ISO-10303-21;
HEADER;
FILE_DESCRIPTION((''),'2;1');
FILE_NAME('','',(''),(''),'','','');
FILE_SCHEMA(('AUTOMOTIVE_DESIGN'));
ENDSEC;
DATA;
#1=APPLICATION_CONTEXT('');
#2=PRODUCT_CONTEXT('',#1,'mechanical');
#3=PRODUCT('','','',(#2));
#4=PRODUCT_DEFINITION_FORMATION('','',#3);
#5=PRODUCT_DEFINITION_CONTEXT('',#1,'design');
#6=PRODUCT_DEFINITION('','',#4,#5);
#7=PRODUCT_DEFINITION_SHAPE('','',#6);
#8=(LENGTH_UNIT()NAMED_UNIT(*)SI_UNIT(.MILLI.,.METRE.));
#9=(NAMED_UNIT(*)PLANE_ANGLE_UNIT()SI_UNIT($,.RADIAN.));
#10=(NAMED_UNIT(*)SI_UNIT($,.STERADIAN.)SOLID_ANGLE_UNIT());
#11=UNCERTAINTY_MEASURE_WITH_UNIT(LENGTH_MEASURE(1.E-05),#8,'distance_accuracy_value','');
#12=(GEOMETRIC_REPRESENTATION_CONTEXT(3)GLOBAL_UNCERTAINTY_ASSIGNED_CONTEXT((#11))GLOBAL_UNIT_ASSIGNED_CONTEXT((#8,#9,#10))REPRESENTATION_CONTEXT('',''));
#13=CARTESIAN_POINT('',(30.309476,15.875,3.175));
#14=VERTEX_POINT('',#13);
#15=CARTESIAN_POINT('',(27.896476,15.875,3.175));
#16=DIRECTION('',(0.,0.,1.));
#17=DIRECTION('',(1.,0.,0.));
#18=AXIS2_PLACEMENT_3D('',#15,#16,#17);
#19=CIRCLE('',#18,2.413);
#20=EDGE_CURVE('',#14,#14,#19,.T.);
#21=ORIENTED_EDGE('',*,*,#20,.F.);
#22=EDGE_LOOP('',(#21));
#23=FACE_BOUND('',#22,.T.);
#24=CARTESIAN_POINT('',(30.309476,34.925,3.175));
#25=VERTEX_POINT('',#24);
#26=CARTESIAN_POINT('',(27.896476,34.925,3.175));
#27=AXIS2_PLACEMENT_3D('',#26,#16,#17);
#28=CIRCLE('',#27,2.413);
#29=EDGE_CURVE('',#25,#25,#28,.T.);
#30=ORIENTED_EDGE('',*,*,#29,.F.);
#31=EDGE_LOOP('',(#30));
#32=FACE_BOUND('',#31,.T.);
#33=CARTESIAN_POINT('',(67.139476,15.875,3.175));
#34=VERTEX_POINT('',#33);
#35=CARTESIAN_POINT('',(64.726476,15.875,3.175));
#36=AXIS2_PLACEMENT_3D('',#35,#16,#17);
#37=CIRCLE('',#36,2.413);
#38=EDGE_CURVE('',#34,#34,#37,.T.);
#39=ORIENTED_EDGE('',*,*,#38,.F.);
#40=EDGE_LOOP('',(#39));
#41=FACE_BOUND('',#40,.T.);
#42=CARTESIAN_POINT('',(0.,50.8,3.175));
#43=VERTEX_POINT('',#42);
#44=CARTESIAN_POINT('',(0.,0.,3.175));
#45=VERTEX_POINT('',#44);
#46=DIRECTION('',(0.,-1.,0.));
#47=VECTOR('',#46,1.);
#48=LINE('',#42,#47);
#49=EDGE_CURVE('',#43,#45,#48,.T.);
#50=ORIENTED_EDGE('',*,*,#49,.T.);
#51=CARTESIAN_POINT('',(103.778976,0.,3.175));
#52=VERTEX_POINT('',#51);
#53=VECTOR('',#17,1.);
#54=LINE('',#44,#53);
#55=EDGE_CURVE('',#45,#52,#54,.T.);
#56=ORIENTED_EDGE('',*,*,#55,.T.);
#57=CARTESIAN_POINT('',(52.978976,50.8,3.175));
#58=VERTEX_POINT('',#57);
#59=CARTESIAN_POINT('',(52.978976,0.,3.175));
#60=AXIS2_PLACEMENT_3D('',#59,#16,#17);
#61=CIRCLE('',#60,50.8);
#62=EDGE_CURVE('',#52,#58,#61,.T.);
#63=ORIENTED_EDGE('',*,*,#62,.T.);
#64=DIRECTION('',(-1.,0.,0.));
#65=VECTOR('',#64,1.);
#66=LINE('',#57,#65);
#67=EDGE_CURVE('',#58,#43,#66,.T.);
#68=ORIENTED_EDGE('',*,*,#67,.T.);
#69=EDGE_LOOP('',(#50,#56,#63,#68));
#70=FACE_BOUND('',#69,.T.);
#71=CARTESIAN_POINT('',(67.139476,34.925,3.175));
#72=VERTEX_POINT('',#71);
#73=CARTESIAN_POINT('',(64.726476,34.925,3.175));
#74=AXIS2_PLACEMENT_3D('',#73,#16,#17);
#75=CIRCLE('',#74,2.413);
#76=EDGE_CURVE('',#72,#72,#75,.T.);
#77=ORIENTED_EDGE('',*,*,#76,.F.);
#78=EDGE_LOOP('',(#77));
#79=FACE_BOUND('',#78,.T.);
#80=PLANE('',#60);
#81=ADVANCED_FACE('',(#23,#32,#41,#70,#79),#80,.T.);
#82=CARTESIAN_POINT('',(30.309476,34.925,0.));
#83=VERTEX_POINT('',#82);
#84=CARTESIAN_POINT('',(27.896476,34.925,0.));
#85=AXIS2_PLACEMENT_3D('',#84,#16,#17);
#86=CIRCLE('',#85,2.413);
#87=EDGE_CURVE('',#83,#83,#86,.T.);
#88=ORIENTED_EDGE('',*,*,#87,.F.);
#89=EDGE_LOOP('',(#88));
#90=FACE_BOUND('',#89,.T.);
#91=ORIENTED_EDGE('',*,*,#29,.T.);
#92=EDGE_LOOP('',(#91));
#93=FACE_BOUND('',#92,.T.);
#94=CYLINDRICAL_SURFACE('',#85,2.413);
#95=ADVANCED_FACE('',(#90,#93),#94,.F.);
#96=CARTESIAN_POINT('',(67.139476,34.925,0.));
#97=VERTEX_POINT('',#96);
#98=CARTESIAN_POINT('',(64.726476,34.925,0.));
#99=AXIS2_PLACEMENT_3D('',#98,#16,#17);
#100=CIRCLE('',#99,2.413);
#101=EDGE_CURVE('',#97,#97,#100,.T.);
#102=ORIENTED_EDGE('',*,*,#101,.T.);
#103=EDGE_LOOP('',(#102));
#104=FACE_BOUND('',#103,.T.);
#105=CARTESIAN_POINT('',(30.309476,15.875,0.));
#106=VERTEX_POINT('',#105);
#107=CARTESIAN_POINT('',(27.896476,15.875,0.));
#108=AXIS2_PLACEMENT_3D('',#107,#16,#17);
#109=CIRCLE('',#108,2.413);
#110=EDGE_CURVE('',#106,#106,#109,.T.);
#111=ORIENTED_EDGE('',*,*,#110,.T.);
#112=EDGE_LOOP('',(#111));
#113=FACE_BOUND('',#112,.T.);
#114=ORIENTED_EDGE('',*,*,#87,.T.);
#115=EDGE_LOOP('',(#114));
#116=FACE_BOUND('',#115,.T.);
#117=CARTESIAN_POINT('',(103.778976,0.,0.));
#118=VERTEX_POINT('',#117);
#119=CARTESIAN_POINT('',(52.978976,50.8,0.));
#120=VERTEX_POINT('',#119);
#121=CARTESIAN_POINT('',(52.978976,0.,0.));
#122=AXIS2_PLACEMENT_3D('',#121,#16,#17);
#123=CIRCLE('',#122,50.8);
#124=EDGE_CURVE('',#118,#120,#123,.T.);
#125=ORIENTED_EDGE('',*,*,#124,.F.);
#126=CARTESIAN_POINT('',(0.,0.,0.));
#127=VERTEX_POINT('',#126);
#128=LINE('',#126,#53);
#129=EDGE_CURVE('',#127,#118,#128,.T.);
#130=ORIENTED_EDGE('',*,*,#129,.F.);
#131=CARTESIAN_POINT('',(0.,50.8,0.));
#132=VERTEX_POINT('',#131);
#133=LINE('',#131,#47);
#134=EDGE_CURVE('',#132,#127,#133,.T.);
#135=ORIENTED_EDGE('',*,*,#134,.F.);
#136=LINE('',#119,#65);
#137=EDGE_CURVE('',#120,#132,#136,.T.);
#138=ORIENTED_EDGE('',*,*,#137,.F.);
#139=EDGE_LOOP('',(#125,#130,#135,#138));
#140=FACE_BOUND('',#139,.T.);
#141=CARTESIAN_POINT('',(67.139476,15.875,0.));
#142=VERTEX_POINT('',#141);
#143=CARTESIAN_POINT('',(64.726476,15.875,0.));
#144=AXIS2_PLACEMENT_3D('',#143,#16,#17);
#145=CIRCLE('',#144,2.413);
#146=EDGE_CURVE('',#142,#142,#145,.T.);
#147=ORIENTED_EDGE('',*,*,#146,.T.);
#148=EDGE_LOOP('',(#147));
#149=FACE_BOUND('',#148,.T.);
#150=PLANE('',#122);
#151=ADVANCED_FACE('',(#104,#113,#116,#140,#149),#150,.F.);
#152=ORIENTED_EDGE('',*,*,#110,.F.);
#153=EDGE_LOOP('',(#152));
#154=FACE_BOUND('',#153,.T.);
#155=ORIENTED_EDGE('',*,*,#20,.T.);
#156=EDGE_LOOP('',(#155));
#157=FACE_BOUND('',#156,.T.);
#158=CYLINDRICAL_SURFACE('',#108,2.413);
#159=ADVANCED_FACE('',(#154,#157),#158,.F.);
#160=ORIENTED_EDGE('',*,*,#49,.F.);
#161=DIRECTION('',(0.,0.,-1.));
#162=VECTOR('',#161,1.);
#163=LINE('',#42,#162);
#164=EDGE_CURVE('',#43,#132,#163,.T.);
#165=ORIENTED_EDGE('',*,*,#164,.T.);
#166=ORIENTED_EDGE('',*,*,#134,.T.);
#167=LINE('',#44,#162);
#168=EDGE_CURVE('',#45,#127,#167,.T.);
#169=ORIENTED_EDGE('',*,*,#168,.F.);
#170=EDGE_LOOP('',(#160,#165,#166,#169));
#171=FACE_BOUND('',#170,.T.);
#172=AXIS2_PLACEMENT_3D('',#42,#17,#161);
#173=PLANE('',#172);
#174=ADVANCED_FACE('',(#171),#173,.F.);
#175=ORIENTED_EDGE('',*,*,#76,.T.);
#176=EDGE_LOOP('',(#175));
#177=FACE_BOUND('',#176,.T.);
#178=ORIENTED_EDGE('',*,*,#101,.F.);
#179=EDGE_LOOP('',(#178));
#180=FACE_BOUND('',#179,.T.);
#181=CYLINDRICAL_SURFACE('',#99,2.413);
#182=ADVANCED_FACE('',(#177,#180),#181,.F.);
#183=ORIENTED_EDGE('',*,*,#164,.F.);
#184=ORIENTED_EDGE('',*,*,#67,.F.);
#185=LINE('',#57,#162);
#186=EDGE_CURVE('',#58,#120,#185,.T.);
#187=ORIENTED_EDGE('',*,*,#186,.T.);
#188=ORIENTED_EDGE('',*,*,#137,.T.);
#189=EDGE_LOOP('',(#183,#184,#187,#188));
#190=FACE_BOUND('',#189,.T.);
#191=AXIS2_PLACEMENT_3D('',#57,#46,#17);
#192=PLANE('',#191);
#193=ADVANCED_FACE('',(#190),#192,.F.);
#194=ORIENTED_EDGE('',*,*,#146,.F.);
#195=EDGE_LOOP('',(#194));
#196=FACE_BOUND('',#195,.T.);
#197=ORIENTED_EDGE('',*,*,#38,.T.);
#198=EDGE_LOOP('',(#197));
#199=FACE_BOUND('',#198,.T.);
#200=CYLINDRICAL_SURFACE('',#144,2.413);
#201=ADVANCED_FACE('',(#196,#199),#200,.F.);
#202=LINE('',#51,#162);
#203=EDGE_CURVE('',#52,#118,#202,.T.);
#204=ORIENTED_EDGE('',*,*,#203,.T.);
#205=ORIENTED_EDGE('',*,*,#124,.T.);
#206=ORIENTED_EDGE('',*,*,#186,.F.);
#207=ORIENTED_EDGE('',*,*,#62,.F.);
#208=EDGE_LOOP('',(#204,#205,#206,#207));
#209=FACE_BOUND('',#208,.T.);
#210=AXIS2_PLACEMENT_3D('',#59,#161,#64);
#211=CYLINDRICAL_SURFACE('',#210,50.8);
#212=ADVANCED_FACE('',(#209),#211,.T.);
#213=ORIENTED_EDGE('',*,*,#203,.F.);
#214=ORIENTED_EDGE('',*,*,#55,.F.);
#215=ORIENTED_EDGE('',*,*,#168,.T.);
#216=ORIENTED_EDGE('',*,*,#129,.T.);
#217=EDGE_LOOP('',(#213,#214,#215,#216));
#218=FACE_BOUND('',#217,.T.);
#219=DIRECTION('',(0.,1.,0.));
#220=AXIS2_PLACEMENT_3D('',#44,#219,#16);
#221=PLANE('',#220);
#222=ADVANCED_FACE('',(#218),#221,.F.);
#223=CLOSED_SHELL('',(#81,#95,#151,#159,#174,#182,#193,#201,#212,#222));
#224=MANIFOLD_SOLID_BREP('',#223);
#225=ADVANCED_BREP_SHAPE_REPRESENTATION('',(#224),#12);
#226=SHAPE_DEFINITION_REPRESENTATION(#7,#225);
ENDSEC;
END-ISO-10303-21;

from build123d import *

# Parameters (mm, degrees)
BOSS_EXTRUDE1_DEPTH     = 3.175
SKETCH3_R               = 2.413
CUT_EXTRUDE1_DEPTH      = 1
CUT_EXTRUDE1_DEPTH_BACK = 4.175


with BuildPart() as part:
    # Sketch1 → Boss-Extrude1 (new body)
    with BuildSketch(Plane.XY):
        with BuildLine():
            Line((0, 50.8), (0, 0))
            Line((0, 0), (103.778975516, 0))
            ThreePointArc((103.778975516, 0), (88.9, 35.921024484), (52.978975516, 50.8))
            Line((52.978975516, 50.8), (0, 50.8))
        make_face()
    extrude(amount=BOSS_EXTRUDE1_DEPTH)

    # Sketch3 → Cut-Extrude1 (cut, two sides)
    with BuildSketch(Plane.XY.offset(3.175)) as cut_extrude1_sk:
        with Locations((64.726475516, 34.925)):
            Circle(SKETCH3_R)
        with Locations((27.896475516, 34.925)):
            Circle(SKETCH3_R)
        with Locations((27.896475516, 15.875)):
            Circle(SKETCH3_R)
        with Locations((64.726475516, 15.875)):
            Circle(SKETCH3_R)
    extrude(amount=CUT_EXTRUDE1_DEPTH, mode=Mode.SUBTRACT)
    extrude(cut_extrude1_sk.sketch, amount=-CUT_EXTRUDE1_DEPTH_BACK, mode=Mode.SUBTRACT)


solid = part.part
